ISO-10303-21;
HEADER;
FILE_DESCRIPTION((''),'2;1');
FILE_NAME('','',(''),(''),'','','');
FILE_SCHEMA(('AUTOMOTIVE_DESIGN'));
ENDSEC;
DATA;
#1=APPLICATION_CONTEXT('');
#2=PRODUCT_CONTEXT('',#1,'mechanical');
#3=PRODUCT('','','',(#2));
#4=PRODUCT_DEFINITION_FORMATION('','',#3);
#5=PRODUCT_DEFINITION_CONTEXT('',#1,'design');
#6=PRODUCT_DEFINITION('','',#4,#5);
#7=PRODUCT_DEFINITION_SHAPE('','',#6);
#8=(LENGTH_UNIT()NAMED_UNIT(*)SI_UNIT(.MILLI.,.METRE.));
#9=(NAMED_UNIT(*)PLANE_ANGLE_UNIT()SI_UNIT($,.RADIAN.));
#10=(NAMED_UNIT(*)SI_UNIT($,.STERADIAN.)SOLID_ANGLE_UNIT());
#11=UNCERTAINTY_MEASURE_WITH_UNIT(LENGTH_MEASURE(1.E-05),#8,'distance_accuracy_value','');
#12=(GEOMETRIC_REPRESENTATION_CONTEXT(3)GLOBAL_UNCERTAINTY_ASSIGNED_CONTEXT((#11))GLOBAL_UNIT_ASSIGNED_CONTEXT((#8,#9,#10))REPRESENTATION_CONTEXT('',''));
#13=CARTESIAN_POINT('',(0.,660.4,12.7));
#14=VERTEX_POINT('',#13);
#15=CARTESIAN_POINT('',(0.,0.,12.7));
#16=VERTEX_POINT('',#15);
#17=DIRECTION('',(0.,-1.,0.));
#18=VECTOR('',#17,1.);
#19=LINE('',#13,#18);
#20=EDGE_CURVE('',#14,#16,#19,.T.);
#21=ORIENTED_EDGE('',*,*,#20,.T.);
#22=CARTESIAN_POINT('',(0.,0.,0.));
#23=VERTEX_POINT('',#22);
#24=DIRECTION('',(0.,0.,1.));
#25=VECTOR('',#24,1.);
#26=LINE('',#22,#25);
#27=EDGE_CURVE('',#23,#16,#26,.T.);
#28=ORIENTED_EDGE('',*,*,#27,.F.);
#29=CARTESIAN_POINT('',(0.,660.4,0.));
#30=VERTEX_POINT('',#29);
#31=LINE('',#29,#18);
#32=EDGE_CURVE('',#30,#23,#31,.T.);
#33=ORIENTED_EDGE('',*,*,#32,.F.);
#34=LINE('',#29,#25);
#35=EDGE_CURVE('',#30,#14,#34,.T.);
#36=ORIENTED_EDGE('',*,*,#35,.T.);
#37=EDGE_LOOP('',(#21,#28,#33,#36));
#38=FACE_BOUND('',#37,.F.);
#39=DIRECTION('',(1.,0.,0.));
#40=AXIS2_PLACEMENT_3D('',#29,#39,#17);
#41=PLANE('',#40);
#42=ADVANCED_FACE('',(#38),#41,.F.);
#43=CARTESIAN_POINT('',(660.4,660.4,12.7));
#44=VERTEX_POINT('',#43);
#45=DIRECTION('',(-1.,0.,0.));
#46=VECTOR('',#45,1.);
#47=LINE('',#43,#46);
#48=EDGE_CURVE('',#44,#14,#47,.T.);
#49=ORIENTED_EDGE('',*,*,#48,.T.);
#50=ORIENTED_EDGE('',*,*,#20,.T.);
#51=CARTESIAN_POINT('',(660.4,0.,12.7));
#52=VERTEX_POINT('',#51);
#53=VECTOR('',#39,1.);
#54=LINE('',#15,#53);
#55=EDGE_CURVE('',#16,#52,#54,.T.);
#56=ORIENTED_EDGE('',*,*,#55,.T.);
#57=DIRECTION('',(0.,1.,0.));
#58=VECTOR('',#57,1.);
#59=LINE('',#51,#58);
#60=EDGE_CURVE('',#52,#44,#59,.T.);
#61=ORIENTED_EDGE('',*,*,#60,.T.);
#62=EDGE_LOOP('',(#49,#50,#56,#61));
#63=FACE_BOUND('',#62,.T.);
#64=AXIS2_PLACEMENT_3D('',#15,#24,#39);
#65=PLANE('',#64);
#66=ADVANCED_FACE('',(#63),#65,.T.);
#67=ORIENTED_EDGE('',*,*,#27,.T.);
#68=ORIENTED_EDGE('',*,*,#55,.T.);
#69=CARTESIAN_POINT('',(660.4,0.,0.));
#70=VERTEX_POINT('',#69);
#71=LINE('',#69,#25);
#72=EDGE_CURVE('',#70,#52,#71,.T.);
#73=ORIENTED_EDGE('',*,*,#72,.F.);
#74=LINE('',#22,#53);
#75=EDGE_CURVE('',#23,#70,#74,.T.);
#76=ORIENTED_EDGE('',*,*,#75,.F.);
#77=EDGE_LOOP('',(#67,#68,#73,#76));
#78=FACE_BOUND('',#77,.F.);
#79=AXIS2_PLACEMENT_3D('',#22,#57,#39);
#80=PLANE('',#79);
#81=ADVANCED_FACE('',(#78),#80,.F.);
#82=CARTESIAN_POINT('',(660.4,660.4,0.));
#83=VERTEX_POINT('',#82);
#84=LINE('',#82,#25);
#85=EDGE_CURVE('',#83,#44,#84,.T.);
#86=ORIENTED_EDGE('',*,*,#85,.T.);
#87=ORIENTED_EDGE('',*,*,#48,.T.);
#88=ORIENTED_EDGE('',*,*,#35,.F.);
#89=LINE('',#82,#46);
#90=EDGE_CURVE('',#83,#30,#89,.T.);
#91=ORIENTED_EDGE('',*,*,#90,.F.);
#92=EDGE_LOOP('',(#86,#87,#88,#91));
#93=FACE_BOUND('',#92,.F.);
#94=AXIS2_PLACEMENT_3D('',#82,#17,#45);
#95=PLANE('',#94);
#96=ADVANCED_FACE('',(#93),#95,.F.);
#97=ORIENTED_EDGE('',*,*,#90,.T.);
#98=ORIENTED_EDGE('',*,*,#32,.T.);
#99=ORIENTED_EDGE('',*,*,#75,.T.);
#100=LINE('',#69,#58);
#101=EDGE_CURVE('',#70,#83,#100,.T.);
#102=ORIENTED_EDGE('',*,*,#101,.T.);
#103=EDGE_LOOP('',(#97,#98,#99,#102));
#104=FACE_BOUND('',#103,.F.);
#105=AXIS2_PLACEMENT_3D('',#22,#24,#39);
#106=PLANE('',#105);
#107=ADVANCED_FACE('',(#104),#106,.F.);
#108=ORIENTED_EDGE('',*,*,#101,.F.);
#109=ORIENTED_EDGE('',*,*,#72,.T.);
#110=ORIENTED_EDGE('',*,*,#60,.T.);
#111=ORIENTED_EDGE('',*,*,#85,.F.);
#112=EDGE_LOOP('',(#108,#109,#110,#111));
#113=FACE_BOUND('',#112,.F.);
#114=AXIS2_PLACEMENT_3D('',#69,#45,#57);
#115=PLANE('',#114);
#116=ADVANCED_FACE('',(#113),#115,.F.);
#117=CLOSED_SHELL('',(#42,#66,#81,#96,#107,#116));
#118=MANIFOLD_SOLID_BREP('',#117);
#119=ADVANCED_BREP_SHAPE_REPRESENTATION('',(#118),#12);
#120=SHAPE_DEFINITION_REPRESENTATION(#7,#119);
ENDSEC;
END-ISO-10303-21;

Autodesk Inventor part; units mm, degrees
ref_plane "YZ Plane" through (0, 0, 0) normal (1, 0, 0) x (0, 1, 0)
ref_plane "XZ Plane" through (0, 0, 0) normal (0, 1, 0) x (-1, 0, 0)
ref_plane "XY Plane" through (0, 0, 0) normal (0, 0, 1) x (1, 0, 0)
sketch "Sketch1" plane through (0, 0, 0) normal (0, 0, 1) x (1, 0, 0)
  line L0 (0, 0) -> (660.4, 0)
  line L1 (660.4, 0) -> (660.4, 660.4)
  line L2 (660.4, 660.4) -> (0, 660.4)
  line L3 (0, 660.4) -> (0, 0)
  dimension "d0" = 660.4
  dimension "d1" = 660.4
extrude "Extrusion1" add sketch "Sketch1" along normal blind 12.7
properties part number "pan" material "Wood (Birch)"
